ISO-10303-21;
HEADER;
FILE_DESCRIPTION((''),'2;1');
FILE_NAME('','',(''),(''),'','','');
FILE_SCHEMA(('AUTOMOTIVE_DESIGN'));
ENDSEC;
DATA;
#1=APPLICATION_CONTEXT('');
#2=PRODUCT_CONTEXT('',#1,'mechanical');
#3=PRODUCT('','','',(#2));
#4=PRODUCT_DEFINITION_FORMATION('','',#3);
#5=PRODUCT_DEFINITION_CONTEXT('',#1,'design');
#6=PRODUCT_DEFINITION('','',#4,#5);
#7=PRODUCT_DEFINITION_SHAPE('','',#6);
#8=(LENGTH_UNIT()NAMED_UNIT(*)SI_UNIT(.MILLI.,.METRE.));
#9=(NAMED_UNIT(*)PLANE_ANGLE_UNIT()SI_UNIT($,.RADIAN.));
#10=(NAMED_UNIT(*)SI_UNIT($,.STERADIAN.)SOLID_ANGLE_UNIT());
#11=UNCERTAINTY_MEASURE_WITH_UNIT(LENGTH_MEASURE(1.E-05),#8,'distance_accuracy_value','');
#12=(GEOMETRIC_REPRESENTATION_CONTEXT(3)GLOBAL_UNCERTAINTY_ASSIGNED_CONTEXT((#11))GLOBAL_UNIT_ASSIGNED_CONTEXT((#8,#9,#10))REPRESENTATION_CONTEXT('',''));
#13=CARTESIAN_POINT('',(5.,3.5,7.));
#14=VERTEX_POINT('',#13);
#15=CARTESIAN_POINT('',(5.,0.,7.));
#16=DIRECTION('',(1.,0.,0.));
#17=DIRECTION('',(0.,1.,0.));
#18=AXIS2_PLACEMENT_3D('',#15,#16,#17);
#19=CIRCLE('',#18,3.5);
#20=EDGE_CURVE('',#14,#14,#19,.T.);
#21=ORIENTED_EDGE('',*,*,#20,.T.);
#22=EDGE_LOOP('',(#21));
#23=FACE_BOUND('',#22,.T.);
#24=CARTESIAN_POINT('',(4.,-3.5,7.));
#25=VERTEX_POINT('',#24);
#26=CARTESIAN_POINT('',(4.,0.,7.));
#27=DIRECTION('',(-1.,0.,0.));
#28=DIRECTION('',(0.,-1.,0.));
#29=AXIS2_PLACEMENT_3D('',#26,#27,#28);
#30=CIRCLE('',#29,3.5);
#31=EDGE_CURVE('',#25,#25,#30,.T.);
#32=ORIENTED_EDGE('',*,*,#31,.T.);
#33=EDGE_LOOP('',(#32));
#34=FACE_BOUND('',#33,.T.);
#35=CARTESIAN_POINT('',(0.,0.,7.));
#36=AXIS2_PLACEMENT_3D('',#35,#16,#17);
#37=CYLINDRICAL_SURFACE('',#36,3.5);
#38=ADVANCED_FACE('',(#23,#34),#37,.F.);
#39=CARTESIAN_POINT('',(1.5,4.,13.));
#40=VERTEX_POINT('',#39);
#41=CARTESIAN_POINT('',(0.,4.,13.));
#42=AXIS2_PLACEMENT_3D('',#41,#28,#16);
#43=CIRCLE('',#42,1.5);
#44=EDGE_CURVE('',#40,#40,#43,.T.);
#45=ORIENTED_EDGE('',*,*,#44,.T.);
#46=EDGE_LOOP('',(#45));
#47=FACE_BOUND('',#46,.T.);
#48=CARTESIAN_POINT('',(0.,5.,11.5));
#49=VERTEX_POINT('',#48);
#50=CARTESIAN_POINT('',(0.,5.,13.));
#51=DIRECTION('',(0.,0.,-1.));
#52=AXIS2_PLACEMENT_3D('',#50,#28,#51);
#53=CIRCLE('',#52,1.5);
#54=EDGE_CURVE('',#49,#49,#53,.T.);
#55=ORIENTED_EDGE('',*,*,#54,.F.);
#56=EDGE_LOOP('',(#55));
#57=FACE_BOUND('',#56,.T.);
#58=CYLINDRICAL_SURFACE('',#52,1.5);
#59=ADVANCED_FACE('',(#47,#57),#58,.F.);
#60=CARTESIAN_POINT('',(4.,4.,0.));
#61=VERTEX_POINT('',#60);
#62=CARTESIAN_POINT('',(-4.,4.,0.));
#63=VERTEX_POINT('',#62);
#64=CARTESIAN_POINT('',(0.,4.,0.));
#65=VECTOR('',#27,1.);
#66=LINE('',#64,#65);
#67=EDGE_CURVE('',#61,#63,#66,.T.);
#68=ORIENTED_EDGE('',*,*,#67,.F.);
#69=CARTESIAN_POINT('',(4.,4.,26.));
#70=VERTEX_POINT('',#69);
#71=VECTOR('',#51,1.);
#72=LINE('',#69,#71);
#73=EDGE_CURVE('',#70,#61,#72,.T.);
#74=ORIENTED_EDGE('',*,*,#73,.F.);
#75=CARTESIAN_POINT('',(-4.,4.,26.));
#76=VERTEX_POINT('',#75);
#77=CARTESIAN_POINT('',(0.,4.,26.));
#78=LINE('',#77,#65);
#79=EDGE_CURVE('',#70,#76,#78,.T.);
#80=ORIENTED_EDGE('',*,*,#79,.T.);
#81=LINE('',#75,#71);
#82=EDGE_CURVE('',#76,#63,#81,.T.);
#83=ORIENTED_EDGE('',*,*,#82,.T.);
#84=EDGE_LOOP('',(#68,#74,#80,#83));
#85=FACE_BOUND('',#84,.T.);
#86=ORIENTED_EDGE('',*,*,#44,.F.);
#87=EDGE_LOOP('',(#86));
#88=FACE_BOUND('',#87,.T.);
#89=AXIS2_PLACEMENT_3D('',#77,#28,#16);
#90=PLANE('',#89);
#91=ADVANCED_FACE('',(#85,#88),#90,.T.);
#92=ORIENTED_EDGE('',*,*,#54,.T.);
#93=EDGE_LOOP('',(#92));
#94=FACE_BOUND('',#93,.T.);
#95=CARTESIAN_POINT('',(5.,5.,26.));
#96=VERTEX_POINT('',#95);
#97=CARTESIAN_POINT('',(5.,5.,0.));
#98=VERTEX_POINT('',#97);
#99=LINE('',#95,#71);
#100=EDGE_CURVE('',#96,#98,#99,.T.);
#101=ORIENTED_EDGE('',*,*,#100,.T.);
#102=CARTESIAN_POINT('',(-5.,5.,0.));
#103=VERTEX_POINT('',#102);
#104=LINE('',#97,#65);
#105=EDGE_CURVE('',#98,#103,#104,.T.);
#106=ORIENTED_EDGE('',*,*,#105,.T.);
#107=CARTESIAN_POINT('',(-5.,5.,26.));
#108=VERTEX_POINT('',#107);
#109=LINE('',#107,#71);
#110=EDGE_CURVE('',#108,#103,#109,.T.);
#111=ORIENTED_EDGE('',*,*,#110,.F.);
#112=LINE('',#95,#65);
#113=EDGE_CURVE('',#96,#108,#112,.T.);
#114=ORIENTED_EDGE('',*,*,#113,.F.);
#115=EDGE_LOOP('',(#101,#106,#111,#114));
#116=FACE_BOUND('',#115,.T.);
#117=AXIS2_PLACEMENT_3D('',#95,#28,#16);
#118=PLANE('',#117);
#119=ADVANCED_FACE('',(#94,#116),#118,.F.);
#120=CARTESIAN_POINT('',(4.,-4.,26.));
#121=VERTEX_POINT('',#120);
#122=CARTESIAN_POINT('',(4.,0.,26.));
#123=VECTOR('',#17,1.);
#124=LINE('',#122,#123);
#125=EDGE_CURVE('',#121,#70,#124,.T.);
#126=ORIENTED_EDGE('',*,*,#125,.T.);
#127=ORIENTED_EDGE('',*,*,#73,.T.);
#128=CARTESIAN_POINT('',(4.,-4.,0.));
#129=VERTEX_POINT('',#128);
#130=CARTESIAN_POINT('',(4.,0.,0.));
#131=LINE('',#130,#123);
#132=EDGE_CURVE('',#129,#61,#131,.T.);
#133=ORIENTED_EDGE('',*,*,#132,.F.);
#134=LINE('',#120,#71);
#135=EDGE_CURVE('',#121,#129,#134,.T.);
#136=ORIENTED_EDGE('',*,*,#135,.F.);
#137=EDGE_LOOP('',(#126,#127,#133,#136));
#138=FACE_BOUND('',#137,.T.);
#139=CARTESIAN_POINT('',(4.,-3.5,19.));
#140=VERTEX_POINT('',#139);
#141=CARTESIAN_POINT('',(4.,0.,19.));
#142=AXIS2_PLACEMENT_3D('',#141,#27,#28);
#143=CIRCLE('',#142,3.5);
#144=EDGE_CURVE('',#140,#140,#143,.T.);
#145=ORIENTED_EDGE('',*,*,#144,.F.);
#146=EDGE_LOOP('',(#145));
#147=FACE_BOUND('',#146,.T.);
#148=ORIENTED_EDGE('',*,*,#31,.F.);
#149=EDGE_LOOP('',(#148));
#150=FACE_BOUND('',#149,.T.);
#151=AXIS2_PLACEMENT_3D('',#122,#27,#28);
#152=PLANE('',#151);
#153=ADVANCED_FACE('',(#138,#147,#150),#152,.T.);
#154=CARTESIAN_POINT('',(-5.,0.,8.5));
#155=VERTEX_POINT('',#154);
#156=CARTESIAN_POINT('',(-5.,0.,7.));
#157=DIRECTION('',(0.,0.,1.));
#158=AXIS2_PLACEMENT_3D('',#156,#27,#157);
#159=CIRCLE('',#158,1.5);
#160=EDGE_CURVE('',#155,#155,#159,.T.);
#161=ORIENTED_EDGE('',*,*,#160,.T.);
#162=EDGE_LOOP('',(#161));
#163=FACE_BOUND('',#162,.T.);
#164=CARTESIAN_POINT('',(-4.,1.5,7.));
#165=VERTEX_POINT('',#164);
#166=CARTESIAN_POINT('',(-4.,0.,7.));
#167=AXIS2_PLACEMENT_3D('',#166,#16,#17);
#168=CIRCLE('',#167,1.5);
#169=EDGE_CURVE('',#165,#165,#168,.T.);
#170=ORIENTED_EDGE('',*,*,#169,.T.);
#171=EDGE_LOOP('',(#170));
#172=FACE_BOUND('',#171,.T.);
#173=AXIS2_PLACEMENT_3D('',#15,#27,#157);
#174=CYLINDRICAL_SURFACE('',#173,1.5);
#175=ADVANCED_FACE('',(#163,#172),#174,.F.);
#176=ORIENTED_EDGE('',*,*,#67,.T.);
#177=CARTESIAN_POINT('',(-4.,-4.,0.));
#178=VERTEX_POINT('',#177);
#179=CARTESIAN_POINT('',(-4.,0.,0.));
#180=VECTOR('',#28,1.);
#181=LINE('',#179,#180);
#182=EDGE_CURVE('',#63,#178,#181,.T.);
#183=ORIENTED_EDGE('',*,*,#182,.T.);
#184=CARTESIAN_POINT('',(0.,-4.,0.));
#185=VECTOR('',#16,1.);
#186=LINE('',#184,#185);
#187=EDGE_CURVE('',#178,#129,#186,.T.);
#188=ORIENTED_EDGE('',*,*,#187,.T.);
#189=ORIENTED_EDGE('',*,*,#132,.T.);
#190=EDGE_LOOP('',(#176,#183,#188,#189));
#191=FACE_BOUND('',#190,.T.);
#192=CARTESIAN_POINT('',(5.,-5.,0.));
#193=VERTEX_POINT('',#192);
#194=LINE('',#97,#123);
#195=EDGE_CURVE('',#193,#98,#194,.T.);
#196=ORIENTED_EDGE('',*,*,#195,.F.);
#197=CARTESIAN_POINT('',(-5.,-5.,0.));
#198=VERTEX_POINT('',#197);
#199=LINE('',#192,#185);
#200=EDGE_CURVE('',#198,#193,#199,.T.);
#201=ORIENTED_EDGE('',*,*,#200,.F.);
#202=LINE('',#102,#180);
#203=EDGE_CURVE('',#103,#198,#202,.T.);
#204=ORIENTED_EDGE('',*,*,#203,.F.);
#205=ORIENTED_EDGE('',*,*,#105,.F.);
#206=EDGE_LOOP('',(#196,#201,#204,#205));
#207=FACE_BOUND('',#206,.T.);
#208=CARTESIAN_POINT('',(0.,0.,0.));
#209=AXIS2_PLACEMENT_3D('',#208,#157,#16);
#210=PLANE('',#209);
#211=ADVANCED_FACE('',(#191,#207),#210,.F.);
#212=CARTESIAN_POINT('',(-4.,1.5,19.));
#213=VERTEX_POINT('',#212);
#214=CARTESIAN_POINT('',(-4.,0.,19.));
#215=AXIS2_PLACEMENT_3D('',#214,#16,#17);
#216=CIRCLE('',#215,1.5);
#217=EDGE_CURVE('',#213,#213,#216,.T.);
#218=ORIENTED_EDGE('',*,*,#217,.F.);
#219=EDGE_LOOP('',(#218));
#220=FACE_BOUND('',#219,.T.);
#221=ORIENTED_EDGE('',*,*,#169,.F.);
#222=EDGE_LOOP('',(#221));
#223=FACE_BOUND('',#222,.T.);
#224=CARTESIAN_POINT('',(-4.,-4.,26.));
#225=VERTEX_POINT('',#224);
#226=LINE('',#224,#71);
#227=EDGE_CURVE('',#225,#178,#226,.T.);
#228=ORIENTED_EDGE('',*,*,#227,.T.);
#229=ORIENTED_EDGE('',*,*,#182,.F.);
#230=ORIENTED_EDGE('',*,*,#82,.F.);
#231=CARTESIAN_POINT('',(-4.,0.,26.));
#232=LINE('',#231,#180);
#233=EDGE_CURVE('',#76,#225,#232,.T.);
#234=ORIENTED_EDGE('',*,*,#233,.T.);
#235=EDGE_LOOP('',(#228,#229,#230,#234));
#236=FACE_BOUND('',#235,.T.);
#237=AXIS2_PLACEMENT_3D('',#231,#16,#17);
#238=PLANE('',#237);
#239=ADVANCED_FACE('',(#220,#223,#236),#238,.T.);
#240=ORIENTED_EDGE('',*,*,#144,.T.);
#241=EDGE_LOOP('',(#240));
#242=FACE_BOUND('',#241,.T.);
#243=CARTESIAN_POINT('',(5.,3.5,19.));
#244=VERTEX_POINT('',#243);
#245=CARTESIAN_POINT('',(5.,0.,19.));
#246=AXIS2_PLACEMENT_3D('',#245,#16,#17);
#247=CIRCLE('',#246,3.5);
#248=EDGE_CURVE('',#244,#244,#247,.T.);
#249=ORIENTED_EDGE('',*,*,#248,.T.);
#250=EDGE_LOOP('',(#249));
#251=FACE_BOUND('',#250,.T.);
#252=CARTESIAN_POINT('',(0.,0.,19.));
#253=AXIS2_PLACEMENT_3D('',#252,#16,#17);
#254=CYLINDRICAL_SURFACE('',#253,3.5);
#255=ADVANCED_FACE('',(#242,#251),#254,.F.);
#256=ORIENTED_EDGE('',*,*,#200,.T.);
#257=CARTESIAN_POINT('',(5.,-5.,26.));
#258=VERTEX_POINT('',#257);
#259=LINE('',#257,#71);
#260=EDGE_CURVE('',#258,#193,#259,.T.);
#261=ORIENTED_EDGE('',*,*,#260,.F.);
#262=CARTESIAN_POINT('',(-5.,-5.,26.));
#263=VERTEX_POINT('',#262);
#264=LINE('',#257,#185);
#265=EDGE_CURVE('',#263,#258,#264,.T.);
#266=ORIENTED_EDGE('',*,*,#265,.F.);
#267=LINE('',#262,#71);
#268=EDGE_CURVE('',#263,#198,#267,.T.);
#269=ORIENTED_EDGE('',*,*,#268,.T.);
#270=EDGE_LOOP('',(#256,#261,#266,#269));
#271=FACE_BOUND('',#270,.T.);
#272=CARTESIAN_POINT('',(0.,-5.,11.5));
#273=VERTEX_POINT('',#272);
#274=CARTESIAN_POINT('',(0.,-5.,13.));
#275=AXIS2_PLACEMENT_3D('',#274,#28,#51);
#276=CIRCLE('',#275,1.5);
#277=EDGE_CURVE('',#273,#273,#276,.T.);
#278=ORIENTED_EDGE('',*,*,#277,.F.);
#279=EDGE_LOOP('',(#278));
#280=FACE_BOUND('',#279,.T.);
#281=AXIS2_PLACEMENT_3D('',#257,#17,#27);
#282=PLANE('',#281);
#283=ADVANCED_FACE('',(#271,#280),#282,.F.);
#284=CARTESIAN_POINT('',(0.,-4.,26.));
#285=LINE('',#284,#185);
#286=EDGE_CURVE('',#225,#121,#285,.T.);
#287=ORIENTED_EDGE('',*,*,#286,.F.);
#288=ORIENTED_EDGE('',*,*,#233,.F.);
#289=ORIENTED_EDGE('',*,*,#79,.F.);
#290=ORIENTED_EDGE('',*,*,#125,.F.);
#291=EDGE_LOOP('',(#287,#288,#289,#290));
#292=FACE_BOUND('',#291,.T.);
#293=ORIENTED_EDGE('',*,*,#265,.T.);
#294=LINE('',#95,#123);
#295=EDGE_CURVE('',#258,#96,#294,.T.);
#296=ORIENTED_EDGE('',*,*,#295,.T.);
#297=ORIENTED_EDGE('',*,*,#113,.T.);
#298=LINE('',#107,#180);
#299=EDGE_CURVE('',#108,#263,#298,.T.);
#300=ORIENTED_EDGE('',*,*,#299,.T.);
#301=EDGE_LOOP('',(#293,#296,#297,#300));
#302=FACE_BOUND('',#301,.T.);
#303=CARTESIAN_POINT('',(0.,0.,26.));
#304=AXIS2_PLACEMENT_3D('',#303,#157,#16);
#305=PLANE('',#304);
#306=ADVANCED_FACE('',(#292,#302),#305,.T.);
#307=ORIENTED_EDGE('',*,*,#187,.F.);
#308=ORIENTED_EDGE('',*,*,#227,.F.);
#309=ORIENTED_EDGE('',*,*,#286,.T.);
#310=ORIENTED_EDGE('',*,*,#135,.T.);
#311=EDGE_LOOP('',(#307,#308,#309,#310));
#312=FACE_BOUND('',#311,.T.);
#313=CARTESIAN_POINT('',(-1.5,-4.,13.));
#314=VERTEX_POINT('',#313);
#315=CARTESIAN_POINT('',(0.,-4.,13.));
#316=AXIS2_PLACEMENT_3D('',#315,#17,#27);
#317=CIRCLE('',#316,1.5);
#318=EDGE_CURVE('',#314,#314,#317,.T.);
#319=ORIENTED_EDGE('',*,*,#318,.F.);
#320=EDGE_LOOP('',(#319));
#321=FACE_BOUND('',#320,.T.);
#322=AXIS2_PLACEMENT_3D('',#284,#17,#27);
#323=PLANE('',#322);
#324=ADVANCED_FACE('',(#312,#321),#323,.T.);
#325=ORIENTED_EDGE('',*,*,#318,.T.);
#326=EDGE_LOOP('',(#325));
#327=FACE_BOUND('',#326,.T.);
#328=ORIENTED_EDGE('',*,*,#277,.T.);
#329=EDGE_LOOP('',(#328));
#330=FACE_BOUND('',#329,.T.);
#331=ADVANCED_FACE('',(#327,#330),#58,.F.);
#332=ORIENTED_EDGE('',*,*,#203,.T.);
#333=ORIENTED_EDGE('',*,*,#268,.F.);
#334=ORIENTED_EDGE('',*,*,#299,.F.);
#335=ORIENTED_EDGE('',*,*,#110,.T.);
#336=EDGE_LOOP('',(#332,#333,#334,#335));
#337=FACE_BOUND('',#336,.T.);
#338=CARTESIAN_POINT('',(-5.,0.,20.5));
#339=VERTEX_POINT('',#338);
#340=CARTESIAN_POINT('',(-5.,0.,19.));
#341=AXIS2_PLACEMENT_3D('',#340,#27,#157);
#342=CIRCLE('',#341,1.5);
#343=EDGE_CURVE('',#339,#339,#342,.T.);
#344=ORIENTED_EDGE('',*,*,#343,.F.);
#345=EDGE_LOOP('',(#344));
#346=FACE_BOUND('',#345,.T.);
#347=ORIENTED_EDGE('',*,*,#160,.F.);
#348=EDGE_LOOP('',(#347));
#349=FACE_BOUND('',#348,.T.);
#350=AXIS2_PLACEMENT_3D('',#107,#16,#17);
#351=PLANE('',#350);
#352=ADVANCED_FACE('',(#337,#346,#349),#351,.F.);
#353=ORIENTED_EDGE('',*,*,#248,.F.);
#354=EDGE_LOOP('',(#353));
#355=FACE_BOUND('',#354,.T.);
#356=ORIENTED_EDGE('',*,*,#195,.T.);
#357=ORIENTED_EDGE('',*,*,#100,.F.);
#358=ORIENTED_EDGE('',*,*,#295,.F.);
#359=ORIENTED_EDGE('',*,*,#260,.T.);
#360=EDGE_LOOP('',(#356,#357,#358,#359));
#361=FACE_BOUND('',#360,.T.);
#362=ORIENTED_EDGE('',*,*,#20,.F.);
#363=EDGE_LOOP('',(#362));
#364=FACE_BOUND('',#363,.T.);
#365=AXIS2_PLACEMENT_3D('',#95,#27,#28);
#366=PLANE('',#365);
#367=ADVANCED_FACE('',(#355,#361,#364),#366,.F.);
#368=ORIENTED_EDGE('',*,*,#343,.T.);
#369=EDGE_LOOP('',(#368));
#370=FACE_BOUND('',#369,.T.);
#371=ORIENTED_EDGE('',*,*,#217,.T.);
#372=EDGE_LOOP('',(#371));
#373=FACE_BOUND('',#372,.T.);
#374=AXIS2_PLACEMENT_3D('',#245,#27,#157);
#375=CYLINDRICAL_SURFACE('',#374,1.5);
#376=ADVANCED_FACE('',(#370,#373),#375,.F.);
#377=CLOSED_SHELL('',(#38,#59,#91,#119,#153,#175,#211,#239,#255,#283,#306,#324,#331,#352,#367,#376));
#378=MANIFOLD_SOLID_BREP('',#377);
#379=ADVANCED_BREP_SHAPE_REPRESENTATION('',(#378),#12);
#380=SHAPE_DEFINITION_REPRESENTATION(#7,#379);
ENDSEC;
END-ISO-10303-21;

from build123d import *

# Parameters (mm, degrees)
SKETCH_1_W          = 10
SKETCH_1_H          = 10
SKETCH_1_W_2        = 8
SKETCH_1_H_2        = 8
EXTRUDE_1_DEPTH     = 26
SKETCH_2_R          = 1.5
CUT_EXTRUDE_1_DEPTH = 10
SKETCH_3_R          = 1.5
CUT_EXTRUDE_2_DEPTH = 10
SKETCH_4_R          = 3.5
CUT_EXTRUDE_3_DEPTH = 5


with BuildPart() as part:
    # 草图1 → 拉伸-薄壁1 (new body)
    with BuildSketch(Plane.XY):
        Rectangle(SKETCH_1_W, SKETCH_1_H)
        Rectangle(SKETCH_1_W_2, SKETCH_1_H_2, mode=Mode.SUBTRACT)
    extrude(amount=EXTRUDE_1_DEPTH)

    # 草图2 → 切除-拉伸1 (cut)
    with BuildSketch(Plane.ZY.offset(5)):
        with Locations((7, 0)):
            Circle(SKETCH_2_R)
        with Locations((19, 0)):
            Circle(SKETCH_2_R)
    extrude(amount=-CUT_EXTRUDE_1_DEPTH, mode=Mode.SUBTRACT)

    # 草图3 → 切除-拉伸2 (cut)
    with BuildSketch(Plane.XZ.offset(5)):
        with Locations((0, 13)):
            Circle(SKETCH_3_R)
    extrude(amount=-CUT_EXTRUDE_2_DEPTH, mode=Mode.SUBTRACT)

    # 草图4 → 切除-拉伸3 (cut)
    with BuildSketch(Plane(origin=(5, 0, 0), x_dir=(0, 0, -1), z_dir=(1, 0, 0))):
        with Locations((-19, 0)):
            Circle(SKETCH_4_R)
        with Locations((-7, 0)):
            Circle(SKETCH_4_R)
    extrude(amount=-CUT_EXTRUDE_3_DEPTH, mode=Mode.SUBTRACT)


solid = part.part
